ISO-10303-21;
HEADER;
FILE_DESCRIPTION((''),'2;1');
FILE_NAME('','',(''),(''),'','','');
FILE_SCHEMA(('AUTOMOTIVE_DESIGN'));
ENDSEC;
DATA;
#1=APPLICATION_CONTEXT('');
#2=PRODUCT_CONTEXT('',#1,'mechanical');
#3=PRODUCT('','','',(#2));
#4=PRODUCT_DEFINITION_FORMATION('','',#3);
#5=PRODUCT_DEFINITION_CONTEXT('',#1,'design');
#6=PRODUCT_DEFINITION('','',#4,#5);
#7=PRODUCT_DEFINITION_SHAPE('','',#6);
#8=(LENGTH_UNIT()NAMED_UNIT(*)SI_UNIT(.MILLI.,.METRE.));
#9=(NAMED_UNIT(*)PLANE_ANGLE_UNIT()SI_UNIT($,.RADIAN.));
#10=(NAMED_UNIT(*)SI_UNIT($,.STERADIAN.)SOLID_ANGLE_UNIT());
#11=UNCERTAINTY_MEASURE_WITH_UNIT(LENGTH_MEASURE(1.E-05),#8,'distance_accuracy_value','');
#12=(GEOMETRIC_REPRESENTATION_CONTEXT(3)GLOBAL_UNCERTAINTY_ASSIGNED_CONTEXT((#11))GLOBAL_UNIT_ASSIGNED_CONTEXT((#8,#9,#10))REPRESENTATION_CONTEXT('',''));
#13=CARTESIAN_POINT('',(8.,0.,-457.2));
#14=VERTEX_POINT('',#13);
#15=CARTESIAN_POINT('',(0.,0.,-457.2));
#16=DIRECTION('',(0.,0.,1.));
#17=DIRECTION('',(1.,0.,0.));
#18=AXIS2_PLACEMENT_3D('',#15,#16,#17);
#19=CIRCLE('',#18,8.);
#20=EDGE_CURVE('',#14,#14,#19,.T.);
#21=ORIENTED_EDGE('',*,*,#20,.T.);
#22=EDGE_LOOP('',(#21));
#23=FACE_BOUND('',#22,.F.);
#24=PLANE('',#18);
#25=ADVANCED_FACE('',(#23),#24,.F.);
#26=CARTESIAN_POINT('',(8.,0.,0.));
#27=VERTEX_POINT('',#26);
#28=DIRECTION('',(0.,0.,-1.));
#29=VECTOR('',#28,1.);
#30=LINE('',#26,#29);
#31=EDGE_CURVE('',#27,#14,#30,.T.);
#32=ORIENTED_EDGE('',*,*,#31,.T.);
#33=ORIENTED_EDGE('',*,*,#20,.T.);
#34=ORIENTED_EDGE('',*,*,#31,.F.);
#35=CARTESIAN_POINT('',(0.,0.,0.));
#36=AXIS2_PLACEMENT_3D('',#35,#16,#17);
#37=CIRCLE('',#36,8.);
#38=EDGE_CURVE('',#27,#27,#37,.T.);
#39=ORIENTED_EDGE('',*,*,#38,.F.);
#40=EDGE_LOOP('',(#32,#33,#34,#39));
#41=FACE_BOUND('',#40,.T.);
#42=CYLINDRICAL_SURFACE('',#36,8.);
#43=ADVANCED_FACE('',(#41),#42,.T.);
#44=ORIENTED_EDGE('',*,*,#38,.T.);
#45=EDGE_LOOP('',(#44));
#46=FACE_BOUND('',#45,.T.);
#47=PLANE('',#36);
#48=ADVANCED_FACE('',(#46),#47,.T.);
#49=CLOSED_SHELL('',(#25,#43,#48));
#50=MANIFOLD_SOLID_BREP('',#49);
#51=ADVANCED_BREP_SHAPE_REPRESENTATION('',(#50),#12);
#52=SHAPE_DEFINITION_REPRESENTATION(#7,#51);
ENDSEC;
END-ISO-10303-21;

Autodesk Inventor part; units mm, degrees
ref_plane "YZ Plane" through (0, 0, 0) normal (1, 0, 0) x (0, 1, 0)
ref_plane "XZ Plane" through (0, 0, 0) normal (0, 1, 0) x (-1, 0, 0)
ref_plane "XY Plane" through (0, 0, 0) normal (0, 0, 1) x (1, 0, 0)
sketch "Sketch1" plane through (0, 0, 0) normal (0, 0, 1) x (1, 0, 0)
  circle A0 centre (0, 0) radius 8
  dimension "d0" = 16
extrude "Extrusion1" add sketch "Sketch1" against normal blind 457.2
properties part number "Landing Foot"
